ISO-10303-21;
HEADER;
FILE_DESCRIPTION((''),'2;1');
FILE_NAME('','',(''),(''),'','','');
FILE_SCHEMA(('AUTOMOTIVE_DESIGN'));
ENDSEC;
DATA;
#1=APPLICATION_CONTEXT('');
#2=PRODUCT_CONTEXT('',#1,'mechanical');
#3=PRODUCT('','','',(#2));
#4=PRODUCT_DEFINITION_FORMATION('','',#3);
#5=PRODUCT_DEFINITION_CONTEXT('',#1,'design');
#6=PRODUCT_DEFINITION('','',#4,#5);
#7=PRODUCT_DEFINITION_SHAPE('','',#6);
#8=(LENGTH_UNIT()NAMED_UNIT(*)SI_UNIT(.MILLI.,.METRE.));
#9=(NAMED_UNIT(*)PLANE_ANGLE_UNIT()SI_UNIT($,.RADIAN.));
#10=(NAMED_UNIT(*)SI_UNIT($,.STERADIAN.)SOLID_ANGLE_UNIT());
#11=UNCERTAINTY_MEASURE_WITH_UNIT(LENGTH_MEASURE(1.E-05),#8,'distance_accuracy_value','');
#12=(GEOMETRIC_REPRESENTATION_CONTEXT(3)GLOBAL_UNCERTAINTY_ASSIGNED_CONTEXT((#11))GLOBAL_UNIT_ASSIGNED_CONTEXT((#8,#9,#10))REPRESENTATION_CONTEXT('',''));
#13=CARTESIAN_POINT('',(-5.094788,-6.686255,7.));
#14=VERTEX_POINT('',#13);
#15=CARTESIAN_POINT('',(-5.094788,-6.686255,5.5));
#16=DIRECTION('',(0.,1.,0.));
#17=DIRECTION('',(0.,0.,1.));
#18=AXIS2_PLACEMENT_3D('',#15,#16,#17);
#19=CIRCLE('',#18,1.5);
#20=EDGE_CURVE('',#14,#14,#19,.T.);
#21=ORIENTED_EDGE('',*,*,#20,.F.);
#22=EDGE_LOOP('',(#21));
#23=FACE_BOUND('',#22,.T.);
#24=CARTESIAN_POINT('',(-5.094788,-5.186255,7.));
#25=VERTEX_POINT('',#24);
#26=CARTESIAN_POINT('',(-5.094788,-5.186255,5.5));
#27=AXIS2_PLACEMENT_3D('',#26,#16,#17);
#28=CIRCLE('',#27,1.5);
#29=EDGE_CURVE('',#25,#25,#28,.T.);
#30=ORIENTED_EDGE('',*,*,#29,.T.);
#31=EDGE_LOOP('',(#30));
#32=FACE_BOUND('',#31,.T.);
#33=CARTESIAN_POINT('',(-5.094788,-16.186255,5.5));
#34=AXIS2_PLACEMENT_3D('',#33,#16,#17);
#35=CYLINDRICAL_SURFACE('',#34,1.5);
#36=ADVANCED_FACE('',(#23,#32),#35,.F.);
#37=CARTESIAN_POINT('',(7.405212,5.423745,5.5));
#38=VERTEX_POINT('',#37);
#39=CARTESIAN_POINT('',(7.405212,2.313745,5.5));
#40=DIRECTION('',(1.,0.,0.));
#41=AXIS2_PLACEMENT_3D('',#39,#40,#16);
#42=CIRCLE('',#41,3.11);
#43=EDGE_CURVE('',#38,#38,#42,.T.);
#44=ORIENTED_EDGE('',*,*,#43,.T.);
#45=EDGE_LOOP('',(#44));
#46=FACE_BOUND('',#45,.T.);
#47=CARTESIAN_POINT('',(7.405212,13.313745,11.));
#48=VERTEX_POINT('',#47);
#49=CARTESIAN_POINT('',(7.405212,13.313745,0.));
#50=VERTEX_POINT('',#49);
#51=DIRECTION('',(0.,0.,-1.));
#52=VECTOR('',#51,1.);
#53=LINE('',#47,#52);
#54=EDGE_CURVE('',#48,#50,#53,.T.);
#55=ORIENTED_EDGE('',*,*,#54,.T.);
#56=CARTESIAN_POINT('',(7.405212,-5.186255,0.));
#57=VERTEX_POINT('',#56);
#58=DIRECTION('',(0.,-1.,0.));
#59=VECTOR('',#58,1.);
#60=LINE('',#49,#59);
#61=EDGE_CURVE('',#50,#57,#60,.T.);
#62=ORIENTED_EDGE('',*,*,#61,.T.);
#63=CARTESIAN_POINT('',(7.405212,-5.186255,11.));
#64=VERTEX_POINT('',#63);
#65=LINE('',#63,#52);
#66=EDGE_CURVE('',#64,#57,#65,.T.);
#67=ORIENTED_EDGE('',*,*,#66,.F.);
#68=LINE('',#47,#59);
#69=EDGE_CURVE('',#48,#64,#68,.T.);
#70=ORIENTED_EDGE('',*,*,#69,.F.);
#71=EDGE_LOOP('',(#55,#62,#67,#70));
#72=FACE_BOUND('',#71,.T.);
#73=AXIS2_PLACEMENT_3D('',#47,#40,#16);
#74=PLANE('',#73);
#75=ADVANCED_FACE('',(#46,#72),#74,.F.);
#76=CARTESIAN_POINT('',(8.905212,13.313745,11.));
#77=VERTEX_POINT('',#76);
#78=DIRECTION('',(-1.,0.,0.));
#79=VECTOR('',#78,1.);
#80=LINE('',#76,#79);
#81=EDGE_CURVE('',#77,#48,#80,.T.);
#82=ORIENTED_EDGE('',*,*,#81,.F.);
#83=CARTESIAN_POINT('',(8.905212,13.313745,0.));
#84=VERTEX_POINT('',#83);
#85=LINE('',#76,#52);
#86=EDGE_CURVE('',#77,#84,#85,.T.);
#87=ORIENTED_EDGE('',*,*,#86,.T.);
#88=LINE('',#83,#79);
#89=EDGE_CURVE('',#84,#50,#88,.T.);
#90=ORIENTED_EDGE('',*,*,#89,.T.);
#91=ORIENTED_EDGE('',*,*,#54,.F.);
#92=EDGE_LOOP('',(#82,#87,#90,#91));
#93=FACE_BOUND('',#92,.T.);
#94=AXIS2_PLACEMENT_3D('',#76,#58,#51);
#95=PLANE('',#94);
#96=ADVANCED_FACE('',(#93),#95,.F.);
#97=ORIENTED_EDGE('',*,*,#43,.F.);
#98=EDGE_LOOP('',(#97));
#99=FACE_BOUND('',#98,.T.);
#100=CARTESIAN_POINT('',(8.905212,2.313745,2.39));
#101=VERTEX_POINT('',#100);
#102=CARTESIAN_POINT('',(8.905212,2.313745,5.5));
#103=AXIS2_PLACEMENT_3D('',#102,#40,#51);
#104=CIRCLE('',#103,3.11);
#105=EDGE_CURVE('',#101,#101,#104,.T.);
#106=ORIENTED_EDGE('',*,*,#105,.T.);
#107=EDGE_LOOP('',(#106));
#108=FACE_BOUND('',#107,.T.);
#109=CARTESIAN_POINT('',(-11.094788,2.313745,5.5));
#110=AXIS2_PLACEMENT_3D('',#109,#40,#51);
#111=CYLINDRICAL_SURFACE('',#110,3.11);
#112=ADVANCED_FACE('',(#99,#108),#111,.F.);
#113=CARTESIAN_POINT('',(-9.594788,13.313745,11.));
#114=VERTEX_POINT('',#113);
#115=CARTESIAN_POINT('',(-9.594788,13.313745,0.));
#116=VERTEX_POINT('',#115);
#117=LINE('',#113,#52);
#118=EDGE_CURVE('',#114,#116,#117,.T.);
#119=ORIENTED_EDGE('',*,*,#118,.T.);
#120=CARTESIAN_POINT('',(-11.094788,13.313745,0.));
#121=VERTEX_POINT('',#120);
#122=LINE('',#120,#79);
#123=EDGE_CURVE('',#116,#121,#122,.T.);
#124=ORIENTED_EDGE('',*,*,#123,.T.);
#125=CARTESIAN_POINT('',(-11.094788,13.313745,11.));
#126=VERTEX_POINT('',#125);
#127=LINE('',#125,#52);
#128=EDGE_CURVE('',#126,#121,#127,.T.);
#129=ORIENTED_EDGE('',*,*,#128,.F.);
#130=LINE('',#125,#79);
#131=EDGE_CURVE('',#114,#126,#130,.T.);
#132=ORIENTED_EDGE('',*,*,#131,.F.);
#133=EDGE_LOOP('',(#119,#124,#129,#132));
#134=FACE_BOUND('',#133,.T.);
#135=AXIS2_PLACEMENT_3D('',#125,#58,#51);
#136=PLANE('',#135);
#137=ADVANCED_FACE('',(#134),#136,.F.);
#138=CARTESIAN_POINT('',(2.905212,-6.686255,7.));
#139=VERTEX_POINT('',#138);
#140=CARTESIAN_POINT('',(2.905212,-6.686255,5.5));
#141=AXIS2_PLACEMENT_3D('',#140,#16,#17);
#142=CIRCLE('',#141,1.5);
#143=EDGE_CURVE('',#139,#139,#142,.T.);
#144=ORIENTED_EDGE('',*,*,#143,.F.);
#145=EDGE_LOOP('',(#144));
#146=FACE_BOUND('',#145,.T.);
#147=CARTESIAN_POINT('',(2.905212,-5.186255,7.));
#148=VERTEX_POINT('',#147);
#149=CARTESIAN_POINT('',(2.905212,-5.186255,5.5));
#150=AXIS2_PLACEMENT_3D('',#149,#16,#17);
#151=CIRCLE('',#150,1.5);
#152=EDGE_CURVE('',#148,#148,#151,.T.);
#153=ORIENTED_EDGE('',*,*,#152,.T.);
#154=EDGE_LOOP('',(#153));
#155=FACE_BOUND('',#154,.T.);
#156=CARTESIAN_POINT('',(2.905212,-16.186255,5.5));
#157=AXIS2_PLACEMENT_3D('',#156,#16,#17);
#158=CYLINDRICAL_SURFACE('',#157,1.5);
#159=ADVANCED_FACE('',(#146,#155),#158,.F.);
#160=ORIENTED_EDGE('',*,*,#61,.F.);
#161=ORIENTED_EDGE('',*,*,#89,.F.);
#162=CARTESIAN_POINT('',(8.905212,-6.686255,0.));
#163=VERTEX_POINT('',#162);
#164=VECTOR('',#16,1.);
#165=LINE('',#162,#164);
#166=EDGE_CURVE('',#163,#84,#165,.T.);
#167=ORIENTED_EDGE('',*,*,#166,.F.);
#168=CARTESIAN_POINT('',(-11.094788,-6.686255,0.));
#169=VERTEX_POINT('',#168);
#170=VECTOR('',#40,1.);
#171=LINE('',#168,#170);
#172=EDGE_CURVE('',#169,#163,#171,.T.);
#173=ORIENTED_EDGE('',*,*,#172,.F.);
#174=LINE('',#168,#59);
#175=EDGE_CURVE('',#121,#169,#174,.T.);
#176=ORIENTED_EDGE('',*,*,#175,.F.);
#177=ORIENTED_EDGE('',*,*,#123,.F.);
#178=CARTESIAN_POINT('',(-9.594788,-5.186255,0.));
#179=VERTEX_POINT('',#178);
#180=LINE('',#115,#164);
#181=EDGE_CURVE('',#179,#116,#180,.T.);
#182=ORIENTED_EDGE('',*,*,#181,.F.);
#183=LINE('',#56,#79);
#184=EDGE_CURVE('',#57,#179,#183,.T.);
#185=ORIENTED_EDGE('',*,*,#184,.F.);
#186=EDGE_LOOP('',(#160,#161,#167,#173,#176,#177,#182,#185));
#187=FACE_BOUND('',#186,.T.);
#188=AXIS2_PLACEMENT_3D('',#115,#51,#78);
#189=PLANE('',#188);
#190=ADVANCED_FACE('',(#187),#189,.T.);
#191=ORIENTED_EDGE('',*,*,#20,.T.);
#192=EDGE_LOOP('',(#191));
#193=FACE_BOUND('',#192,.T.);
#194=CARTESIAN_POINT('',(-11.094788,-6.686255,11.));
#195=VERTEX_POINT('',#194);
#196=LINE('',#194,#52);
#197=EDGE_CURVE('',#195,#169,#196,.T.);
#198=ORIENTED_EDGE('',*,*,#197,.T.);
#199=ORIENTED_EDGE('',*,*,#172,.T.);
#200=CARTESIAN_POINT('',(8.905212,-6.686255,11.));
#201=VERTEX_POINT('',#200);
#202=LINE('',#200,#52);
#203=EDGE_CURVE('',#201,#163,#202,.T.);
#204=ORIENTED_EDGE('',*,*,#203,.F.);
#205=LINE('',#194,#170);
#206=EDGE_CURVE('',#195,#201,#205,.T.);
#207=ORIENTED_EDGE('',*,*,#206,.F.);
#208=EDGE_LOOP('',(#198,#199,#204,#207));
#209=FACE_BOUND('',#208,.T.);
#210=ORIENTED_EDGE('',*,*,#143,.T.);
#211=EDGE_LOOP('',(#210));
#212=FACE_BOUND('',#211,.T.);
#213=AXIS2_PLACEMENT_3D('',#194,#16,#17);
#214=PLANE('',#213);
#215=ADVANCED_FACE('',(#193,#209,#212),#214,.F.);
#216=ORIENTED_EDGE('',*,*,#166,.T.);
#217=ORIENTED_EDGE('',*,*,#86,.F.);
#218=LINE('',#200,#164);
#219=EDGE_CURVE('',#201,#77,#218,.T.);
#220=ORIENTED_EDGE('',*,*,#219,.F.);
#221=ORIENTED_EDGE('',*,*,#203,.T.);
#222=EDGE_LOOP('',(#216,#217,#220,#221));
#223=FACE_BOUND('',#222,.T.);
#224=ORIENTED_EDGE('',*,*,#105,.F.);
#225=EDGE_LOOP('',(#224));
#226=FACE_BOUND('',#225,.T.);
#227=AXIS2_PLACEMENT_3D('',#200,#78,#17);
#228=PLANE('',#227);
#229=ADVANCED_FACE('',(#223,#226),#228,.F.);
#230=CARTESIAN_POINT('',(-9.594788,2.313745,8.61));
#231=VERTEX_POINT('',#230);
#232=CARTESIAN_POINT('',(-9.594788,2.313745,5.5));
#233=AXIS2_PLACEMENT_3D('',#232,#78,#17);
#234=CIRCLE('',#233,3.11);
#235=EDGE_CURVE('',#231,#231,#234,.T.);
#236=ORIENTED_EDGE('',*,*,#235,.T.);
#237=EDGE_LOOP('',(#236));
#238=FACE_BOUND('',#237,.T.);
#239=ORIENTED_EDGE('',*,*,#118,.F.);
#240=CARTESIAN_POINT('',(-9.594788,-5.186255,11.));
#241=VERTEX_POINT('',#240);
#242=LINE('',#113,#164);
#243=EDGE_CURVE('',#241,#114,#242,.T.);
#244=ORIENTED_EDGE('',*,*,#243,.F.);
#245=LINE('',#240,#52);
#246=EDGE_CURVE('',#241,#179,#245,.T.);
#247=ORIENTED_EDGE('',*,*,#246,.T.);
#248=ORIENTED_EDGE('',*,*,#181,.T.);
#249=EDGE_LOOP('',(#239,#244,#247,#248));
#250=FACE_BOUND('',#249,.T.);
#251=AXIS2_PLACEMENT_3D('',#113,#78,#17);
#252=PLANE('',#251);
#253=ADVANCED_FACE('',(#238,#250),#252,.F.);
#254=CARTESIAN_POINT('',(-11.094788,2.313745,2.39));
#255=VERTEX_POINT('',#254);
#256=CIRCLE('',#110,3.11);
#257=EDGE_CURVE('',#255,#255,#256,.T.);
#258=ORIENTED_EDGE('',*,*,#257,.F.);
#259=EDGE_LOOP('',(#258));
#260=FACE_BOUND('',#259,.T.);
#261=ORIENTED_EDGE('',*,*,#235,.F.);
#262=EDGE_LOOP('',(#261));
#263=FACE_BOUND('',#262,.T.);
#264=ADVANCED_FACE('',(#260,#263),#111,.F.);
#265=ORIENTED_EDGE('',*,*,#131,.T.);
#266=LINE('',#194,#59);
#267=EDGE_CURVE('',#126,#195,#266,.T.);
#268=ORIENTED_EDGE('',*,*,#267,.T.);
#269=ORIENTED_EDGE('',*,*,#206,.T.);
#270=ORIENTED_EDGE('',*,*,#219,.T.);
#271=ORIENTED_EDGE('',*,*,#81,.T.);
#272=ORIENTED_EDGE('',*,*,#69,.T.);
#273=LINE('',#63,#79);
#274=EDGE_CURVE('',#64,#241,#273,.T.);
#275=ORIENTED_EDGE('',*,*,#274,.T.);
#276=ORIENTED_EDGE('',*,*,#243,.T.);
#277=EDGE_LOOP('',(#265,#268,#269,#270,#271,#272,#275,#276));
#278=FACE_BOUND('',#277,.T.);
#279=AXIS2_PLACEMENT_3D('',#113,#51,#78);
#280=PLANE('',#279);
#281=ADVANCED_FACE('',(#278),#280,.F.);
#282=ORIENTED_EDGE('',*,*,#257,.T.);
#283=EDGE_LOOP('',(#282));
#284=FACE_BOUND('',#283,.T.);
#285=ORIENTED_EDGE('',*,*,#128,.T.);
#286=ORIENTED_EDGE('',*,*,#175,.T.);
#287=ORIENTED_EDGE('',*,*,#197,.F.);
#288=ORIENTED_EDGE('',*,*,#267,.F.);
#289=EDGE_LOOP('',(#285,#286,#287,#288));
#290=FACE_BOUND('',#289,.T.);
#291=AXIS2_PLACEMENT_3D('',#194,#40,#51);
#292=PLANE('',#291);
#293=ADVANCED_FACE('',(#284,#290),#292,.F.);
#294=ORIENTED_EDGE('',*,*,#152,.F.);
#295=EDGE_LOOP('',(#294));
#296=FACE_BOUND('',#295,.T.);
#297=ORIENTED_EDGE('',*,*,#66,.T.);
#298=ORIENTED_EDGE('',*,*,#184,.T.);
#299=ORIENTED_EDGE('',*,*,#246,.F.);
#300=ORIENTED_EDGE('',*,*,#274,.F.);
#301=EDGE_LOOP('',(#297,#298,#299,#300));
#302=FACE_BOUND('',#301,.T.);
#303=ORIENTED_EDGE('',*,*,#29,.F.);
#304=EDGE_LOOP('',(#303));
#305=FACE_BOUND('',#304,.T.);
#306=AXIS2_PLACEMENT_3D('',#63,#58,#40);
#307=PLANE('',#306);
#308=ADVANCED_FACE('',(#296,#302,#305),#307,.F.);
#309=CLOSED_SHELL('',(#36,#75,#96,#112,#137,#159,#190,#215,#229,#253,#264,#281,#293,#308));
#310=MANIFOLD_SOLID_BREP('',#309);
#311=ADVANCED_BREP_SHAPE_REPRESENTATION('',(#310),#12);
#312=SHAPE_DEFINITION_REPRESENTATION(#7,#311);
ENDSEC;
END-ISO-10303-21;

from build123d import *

# Parameters (mm, degrees)
EXTRUSION1_DEPTH = 11
ESQUISSE2_R      = 3.11
EXTRUSION2_DEPTH = 27.424530578
ESQUISSE3_R      = 1.5
EXTRUSION3_DEPTH = 11


with BuildPart() as part:
    # Esquisse1 → Extrusion1 (new body)
    with BuildSketch(Plane.XY):
        Polygon((-11.094787824, -6.686254611), (-11.094787824, 13.313745389), (-9.594787824, 13.313745389), (-9.594787824, -5.186254611), (7.405212176, -5.186254611), (7.405212176, 13.313745389), (8.905212176, 13.313745389), (8.905212176, -6.686254611), align=None)
    extrude(amount=EXTRUSION1_DEPTH)

    # Esquisse2 → Extrusion2 (cut, through all)
    with BuildSketch(Plane(origin=(8.905212176, 0, 0), x_dir=(0, 0, -1), z_dir=(1, 0, 0))):
        with Locations((-5.5, 2.313745389)):
            Circle(ESQUISSE2_R)
    extrude(amount=-EXTRUSION2_DEPTH, mode=Mode.SUBTRACT)

    # Esquisse3 → Extrusion3 (cut)
    with BuildSketch(Plane(origin=(0, -5.186254611, 0), x_dir=(-1, 0, 0), z_dir=(0, 1, 0))):
        with Locations(Location((5.094787824, 5.5, 0), (0, 0, 90))):
            Circle(ESQUISSE3_R)
        with Locations(Location((-2.905212176, 5.5, 0), (0, 0, 90))):
            Circle(ESQUISSE3_R)
    extrude(amount=-EXTRUSION3_DEPTH, mode=Mode.SUBTRACT)


solid = part.part
